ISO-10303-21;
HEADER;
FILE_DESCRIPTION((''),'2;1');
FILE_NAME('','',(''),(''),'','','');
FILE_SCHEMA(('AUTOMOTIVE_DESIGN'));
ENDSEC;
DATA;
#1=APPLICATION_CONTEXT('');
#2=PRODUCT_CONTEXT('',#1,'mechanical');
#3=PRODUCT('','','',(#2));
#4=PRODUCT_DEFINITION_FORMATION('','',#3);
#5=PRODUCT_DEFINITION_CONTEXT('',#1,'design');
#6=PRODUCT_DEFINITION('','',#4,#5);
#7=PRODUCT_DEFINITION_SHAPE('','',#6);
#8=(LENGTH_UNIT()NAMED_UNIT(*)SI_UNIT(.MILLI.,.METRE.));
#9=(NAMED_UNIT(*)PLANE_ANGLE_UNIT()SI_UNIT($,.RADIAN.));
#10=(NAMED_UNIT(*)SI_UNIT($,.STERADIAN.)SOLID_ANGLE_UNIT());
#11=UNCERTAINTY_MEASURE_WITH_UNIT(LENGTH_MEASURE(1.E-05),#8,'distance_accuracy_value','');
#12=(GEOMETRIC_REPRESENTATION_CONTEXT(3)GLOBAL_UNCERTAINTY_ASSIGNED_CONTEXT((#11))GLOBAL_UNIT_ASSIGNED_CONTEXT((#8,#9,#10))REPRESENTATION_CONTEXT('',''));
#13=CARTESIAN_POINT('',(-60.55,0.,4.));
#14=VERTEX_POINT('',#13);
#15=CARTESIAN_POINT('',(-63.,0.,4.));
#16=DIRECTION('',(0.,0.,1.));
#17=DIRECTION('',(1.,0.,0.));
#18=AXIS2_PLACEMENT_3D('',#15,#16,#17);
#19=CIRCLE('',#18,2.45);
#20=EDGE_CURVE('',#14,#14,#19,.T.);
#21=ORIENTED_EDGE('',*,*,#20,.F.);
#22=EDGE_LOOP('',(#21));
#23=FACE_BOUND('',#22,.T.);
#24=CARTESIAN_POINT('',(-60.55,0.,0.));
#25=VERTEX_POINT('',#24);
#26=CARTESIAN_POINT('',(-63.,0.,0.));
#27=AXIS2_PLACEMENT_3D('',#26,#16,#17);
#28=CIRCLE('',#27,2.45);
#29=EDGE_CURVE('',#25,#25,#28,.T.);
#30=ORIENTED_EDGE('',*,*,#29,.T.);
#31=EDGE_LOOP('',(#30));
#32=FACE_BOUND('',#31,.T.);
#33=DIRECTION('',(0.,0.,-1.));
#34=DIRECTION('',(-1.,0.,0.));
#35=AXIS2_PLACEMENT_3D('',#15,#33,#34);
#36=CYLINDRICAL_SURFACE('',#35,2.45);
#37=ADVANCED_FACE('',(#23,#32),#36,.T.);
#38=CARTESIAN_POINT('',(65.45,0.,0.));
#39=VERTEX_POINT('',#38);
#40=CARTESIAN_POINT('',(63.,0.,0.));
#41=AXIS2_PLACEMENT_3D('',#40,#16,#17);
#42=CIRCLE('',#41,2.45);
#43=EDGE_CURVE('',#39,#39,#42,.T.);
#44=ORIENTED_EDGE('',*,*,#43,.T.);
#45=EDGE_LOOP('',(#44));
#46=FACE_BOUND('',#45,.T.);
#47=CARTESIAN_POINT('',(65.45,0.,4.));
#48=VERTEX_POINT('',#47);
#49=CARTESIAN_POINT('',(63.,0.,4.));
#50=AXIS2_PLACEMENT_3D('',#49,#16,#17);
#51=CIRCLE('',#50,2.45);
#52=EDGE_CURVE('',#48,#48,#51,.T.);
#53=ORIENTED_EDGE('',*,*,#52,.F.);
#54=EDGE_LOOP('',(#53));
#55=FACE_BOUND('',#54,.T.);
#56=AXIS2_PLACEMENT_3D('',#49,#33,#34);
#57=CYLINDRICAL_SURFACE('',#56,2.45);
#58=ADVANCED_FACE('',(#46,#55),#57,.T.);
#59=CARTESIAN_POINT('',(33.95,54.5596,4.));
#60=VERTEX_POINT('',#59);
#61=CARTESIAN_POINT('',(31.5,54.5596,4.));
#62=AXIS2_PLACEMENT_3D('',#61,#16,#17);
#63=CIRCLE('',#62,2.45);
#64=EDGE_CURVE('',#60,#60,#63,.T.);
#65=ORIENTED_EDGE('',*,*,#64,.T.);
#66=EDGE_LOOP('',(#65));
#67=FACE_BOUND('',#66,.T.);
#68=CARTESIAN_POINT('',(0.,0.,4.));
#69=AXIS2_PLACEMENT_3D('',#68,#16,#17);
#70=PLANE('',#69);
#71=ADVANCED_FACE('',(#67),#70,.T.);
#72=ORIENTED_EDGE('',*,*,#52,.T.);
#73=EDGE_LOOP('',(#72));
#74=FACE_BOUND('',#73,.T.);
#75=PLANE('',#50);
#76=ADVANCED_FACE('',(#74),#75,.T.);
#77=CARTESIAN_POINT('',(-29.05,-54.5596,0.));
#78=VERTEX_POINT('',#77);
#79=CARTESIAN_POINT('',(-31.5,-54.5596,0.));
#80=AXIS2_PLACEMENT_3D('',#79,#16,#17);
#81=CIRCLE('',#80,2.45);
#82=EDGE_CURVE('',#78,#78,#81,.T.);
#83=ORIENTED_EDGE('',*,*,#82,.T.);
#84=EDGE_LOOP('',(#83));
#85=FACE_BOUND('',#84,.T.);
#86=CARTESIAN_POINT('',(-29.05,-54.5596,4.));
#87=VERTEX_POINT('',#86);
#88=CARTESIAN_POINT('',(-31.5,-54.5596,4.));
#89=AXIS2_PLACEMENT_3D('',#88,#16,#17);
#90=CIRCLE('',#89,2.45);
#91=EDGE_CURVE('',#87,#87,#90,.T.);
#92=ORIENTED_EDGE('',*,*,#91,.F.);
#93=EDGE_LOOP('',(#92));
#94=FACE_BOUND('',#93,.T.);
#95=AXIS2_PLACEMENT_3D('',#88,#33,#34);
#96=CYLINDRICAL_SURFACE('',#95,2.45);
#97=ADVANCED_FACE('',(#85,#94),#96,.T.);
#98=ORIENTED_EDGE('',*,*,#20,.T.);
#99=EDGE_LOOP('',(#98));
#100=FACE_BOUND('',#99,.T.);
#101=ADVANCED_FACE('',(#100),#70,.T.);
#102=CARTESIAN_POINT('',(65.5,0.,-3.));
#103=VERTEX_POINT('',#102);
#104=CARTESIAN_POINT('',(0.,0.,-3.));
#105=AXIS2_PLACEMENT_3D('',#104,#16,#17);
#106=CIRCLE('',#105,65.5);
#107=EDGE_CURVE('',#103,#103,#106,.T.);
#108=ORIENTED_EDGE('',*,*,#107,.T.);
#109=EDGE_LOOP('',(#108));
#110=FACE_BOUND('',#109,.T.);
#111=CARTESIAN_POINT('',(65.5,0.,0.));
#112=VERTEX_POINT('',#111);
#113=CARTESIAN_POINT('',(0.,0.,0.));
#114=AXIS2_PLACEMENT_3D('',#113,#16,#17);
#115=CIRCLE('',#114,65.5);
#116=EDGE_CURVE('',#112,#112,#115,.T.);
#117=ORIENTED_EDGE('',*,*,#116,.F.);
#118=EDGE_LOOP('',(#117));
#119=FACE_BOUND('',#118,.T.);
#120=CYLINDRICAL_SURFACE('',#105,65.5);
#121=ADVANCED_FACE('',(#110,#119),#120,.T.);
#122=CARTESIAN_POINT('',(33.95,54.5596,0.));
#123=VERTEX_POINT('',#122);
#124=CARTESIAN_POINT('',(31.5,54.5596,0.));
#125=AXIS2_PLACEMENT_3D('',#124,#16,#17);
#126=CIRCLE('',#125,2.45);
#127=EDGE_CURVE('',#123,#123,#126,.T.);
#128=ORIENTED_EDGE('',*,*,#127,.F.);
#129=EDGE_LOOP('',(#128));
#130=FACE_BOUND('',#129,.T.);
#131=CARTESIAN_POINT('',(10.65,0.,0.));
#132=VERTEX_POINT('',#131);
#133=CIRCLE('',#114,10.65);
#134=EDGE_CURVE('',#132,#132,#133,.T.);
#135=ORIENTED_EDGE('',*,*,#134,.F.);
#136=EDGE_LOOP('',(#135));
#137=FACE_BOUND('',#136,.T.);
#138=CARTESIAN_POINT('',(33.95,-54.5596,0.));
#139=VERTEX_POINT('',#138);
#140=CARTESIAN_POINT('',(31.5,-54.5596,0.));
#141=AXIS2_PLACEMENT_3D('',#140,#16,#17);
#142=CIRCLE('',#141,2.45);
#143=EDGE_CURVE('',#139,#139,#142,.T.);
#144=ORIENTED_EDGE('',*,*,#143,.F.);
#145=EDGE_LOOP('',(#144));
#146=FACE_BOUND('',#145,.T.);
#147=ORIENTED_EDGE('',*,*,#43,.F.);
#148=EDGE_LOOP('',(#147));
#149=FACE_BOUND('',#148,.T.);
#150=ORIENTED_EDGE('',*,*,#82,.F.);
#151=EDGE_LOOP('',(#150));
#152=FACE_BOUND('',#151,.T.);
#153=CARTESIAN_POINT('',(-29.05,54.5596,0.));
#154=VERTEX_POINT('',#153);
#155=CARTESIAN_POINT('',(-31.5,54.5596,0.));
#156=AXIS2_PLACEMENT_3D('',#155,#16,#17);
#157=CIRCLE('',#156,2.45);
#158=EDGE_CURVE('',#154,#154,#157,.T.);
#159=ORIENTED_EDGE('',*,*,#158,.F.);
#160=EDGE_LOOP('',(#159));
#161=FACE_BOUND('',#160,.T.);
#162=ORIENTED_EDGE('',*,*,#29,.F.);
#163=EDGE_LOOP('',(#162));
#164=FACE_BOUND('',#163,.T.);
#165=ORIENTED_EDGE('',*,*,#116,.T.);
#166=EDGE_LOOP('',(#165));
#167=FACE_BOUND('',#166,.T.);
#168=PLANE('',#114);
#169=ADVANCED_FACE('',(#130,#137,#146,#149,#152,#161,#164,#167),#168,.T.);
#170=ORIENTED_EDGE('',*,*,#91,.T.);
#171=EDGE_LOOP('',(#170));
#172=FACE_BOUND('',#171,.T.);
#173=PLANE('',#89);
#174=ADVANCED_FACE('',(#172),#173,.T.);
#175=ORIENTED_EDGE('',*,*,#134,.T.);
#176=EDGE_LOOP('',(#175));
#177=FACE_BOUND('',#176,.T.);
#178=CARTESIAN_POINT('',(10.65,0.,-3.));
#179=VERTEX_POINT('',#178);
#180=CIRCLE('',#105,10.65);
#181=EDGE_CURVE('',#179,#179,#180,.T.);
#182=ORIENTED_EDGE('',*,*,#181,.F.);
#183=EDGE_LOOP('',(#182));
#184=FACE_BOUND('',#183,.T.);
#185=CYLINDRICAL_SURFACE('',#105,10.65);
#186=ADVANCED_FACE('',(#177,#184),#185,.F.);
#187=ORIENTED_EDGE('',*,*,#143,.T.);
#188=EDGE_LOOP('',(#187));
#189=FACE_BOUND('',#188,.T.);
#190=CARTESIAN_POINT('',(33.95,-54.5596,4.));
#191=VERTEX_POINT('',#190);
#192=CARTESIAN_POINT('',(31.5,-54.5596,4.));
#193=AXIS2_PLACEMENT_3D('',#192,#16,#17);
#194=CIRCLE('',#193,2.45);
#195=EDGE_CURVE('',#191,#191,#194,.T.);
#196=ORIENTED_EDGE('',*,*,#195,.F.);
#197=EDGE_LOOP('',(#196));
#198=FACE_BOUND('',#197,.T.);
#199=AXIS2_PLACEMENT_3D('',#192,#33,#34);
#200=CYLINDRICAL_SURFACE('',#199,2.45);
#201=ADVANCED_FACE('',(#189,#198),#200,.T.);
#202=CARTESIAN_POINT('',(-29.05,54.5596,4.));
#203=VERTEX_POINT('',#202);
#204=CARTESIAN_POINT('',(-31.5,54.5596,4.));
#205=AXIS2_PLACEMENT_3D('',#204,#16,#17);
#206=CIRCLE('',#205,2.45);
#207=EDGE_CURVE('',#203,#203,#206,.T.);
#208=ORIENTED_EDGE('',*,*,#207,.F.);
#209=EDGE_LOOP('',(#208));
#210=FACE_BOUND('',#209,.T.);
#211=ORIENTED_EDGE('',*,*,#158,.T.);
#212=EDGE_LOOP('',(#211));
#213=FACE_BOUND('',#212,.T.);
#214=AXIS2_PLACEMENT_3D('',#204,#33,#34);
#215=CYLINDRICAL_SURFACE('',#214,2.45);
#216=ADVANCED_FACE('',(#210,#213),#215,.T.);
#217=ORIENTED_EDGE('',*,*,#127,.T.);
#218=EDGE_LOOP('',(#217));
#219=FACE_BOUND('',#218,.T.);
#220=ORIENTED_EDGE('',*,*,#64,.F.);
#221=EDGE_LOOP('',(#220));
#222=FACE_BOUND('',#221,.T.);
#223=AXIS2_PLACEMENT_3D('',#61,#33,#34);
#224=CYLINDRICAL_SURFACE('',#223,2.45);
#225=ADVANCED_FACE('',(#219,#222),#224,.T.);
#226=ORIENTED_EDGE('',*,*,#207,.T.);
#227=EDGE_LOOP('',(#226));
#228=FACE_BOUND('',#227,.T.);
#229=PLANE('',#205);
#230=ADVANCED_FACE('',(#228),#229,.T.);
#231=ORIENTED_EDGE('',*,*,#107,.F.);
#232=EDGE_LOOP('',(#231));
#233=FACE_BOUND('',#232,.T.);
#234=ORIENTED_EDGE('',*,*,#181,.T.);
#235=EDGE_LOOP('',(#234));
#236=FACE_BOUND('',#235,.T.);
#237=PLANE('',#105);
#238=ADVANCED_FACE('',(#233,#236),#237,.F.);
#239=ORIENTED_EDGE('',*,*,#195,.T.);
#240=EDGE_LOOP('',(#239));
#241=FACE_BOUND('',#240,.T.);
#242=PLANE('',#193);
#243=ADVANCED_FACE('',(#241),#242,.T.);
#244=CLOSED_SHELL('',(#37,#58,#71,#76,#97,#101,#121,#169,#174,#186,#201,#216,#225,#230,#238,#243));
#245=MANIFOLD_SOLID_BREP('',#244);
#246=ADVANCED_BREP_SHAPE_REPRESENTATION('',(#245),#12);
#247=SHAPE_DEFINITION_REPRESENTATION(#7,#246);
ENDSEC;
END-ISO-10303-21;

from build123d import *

# Parameters (mm, degrees)
SKETCH_1_R          = 65.5
EXTRUDE_1_DEPTH     = 3
SKETCH_2_R          = 2.45
EXTRUDE_2_DEPTH     = 4
SKETCH_3_R          = 10.65
CUT_EXTRUDE_1_DEPTH = 93.717312299


with BuildPart() as part:
    # 草图1 → 凸台-拉伸1 (new body)
    with BuildSketch(Plane.XY):
        Circle(SKETCH_1_R)
    extrude(amount=-EXTRUDE_1_DEPTH)

    # 草图2 → 凸台-拉伸2 (add)
    with BuildSketch(Plane.XY):
        with Locations((-63, 0)):
            Circle(SKETCH_2_R)
        with Locations((-31.5, 54.559600438)):
            Circle(SKETCH_2_R)
        with Locations((31.5, 54.559600438)):
            Circle(SKETCH_2_R)
        with Locations((63, 0)):
            Circle(SKETCH_2_R)
        with Locations((31.5, -54.559600438)):
            Circle(SKETCH_2_R)
        with Locations((-31.5, -54.559600438)):
            Circle(SKETCH_2_R)
    extrude(amount=EXTRUDE_2_DEPTH)

    # 草图3 → 切除-拉伸1 (cut, through all)
    with BuildSketch(Plane.XY):
        Circle(SKETCH_3_R)
    extrude(amount=-CUT_EXTRUDE_1_DEPTH, mode=Mode.SUBTRACT)


solid = part.part
